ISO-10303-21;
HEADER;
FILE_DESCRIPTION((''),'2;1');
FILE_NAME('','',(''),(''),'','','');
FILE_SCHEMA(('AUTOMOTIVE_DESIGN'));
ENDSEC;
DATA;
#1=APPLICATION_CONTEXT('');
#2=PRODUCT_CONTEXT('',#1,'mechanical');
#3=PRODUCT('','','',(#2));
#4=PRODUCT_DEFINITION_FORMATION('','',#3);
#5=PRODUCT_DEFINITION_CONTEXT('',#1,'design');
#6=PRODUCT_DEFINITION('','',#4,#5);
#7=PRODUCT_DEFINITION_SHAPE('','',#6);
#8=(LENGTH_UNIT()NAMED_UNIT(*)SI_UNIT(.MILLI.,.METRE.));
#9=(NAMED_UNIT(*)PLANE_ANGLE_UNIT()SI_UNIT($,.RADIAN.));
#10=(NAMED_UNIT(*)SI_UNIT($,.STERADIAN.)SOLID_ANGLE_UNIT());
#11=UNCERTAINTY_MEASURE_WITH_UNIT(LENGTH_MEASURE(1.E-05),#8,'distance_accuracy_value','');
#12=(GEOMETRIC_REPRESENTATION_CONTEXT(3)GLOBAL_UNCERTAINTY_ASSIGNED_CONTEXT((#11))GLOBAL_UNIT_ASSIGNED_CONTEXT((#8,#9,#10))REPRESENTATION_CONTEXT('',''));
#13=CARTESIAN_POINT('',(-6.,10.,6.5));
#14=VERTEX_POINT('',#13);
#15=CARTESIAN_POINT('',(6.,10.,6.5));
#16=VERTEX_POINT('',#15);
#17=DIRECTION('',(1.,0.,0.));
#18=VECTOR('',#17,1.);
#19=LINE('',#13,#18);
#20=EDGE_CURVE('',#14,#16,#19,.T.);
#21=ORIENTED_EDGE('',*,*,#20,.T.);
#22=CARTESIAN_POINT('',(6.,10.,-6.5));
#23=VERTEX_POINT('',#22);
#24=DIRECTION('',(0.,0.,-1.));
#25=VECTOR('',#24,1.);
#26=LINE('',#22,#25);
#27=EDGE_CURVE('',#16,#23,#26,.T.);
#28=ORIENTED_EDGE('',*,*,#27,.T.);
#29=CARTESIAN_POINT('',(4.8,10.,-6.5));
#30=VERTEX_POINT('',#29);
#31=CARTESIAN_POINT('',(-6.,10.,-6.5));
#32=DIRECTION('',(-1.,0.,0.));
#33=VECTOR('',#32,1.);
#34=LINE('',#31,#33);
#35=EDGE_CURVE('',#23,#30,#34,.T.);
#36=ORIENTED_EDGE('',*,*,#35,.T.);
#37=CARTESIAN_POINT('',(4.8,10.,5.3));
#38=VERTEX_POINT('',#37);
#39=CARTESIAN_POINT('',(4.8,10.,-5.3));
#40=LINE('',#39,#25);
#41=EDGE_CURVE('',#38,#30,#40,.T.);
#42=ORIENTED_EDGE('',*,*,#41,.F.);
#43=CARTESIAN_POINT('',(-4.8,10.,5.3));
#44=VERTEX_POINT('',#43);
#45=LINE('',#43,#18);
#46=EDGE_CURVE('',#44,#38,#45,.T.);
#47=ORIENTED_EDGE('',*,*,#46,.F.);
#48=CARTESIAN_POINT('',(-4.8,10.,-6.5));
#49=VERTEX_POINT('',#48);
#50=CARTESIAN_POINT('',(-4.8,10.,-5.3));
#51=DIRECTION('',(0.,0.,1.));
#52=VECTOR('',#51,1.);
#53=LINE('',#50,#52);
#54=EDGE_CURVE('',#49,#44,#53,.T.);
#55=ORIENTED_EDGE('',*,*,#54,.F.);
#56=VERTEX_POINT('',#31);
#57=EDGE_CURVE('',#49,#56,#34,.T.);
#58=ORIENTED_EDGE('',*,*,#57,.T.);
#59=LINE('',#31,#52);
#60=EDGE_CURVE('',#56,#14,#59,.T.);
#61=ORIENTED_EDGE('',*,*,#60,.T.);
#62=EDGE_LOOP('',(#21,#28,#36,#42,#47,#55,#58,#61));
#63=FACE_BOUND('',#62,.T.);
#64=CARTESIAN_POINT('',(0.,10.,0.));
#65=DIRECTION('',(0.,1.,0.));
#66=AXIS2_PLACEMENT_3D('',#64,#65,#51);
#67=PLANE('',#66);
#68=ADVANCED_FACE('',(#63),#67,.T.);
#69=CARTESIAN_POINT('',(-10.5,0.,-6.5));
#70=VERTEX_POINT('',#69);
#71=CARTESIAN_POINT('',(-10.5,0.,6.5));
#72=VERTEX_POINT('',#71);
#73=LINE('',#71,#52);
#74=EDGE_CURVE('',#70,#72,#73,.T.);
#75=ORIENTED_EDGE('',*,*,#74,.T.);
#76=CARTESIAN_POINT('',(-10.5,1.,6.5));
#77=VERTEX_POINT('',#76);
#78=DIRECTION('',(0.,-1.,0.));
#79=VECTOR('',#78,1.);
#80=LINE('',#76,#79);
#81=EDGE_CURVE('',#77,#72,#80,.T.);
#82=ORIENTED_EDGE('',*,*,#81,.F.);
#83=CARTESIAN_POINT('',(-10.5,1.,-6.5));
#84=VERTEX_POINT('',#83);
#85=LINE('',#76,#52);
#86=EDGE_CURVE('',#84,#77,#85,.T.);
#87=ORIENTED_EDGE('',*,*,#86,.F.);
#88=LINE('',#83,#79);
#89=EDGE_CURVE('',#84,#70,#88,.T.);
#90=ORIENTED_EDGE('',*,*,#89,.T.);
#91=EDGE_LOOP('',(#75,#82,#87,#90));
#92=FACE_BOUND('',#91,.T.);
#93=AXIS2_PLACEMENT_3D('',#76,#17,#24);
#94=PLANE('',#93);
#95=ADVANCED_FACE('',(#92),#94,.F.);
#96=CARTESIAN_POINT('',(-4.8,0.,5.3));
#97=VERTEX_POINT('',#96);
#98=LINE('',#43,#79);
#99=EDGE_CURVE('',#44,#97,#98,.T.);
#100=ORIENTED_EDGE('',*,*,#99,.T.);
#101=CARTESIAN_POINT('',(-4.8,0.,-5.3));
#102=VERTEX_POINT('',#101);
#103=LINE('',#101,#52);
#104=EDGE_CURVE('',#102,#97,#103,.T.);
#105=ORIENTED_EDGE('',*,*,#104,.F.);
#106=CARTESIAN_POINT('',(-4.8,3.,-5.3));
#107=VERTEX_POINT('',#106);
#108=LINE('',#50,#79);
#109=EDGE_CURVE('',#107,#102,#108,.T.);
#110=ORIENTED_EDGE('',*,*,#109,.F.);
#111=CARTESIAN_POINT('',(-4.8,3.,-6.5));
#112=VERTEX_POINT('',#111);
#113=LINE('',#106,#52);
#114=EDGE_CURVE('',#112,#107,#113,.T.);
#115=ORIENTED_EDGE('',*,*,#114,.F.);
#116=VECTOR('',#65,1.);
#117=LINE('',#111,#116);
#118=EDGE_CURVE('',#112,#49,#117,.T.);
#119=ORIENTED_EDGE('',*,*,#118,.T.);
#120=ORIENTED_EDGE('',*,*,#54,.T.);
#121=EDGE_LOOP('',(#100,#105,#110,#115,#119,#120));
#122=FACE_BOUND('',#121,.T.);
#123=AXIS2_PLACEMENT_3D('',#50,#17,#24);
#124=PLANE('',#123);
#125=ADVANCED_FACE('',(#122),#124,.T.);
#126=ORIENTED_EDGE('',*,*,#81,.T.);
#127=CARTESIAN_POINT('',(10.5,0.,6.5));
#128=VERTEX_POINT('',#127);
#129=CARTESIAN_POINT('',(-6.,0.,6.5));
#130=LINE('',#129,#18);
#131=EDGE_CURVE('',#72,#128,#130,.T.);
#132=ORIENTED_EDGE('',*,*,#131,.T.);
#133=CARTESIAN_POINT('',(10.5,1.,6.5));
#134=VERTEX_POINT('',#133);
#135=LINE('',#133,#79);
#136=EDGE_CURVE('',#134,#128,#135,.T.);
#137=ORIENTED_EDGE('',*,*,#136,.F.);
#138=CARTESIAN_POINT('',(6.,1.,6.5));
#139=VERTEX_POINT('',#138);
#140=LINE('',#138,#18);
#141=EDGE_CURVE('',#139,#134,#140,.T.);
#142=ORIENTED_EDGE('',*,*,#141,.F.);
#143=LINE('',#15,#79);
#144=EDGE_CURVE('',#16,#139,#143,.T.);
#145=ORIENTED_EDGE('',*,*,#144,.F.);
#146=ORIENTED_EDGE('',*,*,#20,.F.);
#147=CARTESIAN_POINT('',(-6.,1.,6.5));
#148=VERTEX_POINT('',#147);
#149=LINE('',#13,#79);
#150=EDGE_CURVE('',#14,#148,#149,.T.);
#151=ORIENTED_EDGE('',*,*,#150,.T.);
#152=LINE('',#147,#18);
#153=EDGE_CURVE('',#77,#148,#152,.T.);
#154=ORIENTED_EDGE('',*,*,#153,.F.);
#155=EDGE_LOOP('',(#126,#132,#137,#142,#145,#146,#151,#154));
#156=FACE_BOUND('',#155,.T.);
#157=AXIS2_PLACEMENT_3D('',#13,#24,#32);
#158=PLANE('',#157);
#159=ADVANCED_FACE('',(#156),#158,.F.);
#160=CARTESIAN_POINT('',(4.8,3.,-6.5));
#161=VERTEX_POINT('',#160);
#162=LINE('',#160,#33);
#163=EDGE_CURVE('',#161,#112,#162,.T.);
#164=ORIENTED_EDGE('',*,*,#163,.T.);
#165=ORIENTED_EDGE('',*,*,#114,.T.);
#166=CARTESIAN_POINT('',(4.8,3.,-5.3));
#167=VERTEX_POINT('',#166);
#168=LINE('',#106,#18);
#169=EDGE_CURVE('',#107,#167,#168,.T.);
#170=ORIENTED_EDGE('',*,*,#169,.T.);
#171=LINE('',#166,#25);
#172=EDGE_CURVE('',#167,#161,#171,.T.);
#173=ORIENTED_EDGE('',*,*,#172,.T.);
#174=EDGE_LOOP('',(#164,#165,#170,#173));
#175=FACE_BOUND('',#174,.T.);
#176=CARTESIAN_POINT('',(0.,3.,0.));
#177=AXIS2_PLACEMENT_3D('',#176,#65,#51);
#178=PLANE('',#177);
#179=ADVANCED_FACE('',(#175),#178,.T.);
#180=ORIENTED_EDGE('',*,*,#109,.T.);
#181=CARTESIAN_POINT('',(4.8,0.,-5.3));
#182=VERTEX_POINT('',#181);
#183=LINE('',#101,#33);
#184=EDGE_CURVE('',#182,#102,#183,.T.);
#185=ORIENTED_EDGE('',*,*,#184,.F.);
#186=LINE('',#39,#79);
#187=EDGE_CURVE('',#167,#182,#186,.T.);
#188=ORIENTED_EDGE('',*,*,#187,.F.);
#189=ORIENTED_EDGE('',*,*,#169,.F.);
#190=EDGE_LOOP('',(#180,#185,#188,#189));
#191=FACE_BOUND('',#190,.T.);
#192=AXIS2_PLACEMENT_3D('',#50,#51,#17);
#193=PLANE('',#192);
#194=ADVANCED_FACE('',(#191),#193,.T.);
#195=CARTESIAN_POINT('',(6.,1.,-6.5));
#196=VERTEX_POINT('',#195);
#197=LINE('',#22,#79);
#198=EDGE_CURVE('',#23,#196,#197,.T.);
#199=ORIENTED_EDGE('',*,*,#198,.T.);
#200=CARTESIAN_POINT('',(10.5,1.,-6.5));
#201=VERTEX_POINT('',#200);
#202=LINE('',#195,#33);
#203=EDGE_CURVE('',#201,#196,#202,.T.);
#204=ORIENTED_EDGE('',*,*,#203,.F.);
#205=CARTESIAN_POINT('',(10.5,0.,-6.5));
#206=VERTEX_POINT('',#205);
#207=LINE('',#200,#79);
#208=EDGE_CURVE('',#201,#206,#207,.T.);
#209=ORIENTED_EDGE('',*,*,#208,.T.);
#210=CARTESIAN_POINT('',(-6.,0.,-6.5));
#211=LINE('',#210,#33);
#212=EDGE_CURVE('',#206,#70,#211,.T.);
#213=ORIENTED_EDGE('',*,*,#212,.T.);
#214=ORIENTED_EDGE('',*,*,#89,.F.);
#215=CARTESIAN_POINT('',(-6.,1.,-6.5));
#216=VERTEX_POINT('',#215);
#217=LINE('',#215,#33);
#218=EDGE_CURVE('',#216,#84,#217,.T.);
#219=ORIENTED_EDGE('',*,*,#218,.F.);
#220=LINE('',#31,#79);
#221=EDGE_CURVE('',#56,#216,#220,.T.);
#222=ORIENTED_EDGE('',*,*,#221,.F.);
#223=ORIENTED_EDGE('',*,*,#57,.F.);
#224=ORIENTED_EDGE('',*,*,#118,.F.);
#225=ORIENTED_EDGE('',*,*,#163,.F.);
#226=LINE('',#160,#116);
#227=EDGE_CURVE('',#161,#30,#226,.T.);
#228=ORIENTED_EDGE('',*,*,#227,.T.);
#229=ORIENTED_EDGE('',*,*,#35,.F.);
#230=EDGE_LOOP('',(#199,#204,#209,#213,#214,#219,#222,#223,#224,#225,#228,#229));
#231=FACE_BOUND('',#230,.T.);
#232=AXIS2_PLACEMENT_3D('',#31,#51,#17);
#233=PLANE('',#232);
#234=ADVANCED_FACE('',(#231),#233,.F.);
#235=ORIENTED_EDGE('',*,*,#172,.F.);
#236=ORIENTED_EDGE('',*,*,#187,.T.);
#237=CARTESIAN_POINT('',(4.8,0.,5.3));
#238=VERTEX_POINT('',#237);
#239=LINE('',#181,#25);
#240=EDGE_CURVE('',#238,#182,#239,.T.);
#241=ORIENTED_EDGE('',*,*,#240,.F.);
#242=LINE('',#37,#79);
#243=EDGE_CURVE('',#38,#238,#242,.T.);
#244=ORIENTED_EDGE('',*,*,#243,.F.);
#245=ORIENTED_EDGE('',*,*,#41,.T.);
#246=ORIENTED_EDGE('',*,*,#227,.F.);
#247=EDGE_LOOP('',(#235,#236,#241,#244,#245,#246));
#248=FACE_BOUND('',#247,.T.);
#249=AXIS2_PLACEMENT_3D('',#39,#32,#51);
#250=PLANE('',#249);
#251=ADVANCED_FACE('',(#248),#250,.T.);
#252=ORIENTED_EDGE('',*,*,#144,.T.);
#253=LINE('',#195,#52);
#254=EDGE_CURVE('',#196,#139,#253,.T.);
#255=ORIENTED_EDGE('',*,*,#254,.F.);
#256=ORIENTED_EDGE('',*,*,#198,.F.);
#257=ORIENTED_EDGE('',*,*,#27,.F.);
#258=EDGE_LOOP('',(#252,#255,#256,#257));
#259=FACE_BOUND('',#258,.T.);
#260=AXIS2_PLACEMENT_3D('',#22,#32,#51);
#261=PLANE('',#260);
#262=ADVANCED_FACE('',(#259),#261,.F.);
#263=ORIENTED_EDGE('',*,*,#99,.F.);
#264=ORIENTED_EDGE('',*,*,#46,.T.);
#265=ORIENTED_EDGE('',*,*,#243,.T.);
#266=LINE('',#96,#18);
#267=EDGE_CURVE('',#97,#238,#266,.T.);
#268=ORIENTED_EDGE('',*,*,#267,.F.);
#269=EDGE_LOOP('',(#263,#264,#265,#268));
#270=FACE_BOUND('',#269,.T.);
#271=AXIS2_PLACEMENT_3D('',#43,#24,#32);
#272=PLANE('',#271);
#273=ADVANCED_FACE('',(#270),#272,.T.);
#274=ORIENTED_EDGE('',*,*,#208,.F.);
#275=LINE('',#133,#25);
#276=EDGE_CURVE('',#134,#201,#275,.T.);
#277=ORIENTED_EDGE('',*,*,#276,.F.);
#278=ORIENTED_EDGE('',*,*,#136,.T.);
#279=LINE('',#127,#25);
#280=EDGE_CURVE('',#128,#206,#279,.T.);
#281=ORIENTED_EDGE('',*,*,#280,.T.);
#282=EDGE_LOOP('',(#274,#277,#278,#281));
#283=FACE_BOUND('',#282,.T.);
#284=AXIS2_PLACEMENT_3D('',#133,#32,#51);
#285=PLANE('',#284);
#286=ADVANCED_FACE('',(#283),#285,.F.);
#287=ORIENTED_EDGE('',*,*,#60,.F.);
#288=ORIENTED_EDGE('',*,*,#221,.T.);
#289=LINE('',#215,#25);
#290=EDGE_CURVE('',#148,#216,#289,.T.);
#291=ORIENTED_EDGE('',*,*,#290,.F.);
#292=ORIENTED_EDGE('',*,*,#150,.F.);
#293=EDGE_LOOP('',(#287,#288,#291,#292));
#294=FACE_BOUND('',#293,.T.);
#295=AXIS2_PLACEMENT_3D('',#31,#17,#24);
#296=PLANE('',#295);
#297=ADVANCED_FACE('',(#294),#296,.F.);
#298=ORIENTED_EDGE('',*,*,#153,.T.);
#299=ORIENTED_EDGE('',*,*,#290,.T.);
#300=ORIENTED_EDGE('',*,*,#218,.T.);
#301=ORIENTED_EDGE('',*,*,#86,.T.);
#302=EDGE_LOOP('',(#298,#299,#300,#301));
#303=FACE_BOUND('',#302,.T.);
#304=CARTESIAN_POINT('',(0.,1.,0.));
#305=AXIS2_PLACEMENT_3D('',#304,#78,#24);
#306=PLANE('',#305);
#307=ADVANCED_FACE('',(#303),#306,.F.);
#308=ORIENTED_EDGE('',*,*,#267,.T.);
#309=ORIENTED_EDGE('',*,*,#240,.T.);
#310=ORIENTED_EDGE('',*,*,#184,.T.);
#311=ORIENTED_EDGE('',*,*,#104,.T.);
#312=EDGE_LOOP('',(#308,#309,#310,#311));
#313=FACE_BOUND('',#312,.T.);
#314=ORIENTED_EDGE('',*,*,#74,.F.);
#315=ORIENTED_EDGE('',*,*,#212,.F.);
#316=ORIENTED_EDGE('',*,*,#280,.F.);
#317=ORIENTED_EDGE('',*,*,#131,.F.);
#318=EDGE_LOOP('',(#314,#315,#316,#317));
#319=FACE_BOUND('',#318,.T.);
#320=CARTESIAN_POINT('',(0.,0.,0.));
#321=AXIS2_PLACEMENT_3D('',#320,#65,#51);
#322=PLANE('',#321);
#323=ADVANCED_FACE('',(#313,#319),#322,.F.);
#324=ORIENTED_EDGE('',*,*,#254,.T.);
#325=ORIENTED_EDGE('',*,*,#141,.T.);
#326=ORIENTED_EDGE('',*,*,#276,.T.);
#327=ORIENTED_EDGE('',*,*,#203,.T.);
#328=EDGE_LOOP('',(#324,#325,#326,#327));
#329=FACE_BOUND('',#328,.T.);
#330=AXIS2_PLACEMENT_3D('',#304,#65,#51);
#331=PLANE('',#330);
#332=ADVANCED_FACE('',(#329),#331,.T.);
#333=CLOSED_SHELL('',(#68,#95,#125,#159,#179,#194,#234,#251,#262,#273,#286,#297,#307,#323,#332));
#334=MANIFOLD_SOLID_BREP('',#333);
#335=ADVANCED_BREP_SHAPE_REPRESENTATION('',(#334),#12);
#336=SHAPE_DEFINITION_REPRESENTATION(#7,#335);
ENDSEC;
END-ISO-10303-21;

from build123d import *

# Parameters (mm, degrees)
SKETCH1_W           = 12
SKETCH1_H           = 13
SKETCH1_W_2         = 9.6
SKETCH1_H_2         = 10.6
BOSS_EXTRUDE1_DEPTH = 10
SKETCH2_W           = 4.5
SKETCH2_H           = 13
BOSS_EXTRUDE2_DEPTH = 1
SKETCH3_W           = 9.6
SKETCH3_H           = 1.2
CUT_EXTRUDE1_DEPTH  = 7


with BuildPart() as part:
    # Sketch1 → Boss-Extrude1 (new body)
    with BuildSketch(Plane(origin=(0, 0, 0), x_dir=(1, 0, 0), z_dir=(0, 1, 0))):
        Rectangle(SKETCH1_W, SKETCH1_H)
        Rectangle(SKETCH1_W_2, SKETCH1_H_2, mode=Mode.SUBTRACT)
    extrude(amount=BOSS_EXTRUDE1_DEPTH)

    # Sketch2 → Boss-Extrude2 (add)
    with BuildSketch(Plane(origin=(0, 0, 0), x_dir=(1, 0, 0), z_dir=(0, 1, 0))):
        with Locations((-8.25, 0)):
            Rectangle(SKETCH2_W, SKETCH2_H)
        with Locations((8.25, 0)):
            Rectangle(SKETCH2_W, SKETCH2_H)
    extrude(amount=BOSS_EXTRUDE2_DEPTH)

    # Sketch3 → Cut-Extrude1 (cut)
    with BuildSketch(Plane(origin=(0, 10, 0), x_dir=(1, 0, 0), z_dir=(0, 1, 0))):
        with Locations((0, 5.9)):
            Rectangle(SKETCH3_W, SKETCH3_H)
    extrude(amount=-CUT_EXTRUDE1_DEPTH, mode=Mode.SUBTRACT)


solid = part.part
